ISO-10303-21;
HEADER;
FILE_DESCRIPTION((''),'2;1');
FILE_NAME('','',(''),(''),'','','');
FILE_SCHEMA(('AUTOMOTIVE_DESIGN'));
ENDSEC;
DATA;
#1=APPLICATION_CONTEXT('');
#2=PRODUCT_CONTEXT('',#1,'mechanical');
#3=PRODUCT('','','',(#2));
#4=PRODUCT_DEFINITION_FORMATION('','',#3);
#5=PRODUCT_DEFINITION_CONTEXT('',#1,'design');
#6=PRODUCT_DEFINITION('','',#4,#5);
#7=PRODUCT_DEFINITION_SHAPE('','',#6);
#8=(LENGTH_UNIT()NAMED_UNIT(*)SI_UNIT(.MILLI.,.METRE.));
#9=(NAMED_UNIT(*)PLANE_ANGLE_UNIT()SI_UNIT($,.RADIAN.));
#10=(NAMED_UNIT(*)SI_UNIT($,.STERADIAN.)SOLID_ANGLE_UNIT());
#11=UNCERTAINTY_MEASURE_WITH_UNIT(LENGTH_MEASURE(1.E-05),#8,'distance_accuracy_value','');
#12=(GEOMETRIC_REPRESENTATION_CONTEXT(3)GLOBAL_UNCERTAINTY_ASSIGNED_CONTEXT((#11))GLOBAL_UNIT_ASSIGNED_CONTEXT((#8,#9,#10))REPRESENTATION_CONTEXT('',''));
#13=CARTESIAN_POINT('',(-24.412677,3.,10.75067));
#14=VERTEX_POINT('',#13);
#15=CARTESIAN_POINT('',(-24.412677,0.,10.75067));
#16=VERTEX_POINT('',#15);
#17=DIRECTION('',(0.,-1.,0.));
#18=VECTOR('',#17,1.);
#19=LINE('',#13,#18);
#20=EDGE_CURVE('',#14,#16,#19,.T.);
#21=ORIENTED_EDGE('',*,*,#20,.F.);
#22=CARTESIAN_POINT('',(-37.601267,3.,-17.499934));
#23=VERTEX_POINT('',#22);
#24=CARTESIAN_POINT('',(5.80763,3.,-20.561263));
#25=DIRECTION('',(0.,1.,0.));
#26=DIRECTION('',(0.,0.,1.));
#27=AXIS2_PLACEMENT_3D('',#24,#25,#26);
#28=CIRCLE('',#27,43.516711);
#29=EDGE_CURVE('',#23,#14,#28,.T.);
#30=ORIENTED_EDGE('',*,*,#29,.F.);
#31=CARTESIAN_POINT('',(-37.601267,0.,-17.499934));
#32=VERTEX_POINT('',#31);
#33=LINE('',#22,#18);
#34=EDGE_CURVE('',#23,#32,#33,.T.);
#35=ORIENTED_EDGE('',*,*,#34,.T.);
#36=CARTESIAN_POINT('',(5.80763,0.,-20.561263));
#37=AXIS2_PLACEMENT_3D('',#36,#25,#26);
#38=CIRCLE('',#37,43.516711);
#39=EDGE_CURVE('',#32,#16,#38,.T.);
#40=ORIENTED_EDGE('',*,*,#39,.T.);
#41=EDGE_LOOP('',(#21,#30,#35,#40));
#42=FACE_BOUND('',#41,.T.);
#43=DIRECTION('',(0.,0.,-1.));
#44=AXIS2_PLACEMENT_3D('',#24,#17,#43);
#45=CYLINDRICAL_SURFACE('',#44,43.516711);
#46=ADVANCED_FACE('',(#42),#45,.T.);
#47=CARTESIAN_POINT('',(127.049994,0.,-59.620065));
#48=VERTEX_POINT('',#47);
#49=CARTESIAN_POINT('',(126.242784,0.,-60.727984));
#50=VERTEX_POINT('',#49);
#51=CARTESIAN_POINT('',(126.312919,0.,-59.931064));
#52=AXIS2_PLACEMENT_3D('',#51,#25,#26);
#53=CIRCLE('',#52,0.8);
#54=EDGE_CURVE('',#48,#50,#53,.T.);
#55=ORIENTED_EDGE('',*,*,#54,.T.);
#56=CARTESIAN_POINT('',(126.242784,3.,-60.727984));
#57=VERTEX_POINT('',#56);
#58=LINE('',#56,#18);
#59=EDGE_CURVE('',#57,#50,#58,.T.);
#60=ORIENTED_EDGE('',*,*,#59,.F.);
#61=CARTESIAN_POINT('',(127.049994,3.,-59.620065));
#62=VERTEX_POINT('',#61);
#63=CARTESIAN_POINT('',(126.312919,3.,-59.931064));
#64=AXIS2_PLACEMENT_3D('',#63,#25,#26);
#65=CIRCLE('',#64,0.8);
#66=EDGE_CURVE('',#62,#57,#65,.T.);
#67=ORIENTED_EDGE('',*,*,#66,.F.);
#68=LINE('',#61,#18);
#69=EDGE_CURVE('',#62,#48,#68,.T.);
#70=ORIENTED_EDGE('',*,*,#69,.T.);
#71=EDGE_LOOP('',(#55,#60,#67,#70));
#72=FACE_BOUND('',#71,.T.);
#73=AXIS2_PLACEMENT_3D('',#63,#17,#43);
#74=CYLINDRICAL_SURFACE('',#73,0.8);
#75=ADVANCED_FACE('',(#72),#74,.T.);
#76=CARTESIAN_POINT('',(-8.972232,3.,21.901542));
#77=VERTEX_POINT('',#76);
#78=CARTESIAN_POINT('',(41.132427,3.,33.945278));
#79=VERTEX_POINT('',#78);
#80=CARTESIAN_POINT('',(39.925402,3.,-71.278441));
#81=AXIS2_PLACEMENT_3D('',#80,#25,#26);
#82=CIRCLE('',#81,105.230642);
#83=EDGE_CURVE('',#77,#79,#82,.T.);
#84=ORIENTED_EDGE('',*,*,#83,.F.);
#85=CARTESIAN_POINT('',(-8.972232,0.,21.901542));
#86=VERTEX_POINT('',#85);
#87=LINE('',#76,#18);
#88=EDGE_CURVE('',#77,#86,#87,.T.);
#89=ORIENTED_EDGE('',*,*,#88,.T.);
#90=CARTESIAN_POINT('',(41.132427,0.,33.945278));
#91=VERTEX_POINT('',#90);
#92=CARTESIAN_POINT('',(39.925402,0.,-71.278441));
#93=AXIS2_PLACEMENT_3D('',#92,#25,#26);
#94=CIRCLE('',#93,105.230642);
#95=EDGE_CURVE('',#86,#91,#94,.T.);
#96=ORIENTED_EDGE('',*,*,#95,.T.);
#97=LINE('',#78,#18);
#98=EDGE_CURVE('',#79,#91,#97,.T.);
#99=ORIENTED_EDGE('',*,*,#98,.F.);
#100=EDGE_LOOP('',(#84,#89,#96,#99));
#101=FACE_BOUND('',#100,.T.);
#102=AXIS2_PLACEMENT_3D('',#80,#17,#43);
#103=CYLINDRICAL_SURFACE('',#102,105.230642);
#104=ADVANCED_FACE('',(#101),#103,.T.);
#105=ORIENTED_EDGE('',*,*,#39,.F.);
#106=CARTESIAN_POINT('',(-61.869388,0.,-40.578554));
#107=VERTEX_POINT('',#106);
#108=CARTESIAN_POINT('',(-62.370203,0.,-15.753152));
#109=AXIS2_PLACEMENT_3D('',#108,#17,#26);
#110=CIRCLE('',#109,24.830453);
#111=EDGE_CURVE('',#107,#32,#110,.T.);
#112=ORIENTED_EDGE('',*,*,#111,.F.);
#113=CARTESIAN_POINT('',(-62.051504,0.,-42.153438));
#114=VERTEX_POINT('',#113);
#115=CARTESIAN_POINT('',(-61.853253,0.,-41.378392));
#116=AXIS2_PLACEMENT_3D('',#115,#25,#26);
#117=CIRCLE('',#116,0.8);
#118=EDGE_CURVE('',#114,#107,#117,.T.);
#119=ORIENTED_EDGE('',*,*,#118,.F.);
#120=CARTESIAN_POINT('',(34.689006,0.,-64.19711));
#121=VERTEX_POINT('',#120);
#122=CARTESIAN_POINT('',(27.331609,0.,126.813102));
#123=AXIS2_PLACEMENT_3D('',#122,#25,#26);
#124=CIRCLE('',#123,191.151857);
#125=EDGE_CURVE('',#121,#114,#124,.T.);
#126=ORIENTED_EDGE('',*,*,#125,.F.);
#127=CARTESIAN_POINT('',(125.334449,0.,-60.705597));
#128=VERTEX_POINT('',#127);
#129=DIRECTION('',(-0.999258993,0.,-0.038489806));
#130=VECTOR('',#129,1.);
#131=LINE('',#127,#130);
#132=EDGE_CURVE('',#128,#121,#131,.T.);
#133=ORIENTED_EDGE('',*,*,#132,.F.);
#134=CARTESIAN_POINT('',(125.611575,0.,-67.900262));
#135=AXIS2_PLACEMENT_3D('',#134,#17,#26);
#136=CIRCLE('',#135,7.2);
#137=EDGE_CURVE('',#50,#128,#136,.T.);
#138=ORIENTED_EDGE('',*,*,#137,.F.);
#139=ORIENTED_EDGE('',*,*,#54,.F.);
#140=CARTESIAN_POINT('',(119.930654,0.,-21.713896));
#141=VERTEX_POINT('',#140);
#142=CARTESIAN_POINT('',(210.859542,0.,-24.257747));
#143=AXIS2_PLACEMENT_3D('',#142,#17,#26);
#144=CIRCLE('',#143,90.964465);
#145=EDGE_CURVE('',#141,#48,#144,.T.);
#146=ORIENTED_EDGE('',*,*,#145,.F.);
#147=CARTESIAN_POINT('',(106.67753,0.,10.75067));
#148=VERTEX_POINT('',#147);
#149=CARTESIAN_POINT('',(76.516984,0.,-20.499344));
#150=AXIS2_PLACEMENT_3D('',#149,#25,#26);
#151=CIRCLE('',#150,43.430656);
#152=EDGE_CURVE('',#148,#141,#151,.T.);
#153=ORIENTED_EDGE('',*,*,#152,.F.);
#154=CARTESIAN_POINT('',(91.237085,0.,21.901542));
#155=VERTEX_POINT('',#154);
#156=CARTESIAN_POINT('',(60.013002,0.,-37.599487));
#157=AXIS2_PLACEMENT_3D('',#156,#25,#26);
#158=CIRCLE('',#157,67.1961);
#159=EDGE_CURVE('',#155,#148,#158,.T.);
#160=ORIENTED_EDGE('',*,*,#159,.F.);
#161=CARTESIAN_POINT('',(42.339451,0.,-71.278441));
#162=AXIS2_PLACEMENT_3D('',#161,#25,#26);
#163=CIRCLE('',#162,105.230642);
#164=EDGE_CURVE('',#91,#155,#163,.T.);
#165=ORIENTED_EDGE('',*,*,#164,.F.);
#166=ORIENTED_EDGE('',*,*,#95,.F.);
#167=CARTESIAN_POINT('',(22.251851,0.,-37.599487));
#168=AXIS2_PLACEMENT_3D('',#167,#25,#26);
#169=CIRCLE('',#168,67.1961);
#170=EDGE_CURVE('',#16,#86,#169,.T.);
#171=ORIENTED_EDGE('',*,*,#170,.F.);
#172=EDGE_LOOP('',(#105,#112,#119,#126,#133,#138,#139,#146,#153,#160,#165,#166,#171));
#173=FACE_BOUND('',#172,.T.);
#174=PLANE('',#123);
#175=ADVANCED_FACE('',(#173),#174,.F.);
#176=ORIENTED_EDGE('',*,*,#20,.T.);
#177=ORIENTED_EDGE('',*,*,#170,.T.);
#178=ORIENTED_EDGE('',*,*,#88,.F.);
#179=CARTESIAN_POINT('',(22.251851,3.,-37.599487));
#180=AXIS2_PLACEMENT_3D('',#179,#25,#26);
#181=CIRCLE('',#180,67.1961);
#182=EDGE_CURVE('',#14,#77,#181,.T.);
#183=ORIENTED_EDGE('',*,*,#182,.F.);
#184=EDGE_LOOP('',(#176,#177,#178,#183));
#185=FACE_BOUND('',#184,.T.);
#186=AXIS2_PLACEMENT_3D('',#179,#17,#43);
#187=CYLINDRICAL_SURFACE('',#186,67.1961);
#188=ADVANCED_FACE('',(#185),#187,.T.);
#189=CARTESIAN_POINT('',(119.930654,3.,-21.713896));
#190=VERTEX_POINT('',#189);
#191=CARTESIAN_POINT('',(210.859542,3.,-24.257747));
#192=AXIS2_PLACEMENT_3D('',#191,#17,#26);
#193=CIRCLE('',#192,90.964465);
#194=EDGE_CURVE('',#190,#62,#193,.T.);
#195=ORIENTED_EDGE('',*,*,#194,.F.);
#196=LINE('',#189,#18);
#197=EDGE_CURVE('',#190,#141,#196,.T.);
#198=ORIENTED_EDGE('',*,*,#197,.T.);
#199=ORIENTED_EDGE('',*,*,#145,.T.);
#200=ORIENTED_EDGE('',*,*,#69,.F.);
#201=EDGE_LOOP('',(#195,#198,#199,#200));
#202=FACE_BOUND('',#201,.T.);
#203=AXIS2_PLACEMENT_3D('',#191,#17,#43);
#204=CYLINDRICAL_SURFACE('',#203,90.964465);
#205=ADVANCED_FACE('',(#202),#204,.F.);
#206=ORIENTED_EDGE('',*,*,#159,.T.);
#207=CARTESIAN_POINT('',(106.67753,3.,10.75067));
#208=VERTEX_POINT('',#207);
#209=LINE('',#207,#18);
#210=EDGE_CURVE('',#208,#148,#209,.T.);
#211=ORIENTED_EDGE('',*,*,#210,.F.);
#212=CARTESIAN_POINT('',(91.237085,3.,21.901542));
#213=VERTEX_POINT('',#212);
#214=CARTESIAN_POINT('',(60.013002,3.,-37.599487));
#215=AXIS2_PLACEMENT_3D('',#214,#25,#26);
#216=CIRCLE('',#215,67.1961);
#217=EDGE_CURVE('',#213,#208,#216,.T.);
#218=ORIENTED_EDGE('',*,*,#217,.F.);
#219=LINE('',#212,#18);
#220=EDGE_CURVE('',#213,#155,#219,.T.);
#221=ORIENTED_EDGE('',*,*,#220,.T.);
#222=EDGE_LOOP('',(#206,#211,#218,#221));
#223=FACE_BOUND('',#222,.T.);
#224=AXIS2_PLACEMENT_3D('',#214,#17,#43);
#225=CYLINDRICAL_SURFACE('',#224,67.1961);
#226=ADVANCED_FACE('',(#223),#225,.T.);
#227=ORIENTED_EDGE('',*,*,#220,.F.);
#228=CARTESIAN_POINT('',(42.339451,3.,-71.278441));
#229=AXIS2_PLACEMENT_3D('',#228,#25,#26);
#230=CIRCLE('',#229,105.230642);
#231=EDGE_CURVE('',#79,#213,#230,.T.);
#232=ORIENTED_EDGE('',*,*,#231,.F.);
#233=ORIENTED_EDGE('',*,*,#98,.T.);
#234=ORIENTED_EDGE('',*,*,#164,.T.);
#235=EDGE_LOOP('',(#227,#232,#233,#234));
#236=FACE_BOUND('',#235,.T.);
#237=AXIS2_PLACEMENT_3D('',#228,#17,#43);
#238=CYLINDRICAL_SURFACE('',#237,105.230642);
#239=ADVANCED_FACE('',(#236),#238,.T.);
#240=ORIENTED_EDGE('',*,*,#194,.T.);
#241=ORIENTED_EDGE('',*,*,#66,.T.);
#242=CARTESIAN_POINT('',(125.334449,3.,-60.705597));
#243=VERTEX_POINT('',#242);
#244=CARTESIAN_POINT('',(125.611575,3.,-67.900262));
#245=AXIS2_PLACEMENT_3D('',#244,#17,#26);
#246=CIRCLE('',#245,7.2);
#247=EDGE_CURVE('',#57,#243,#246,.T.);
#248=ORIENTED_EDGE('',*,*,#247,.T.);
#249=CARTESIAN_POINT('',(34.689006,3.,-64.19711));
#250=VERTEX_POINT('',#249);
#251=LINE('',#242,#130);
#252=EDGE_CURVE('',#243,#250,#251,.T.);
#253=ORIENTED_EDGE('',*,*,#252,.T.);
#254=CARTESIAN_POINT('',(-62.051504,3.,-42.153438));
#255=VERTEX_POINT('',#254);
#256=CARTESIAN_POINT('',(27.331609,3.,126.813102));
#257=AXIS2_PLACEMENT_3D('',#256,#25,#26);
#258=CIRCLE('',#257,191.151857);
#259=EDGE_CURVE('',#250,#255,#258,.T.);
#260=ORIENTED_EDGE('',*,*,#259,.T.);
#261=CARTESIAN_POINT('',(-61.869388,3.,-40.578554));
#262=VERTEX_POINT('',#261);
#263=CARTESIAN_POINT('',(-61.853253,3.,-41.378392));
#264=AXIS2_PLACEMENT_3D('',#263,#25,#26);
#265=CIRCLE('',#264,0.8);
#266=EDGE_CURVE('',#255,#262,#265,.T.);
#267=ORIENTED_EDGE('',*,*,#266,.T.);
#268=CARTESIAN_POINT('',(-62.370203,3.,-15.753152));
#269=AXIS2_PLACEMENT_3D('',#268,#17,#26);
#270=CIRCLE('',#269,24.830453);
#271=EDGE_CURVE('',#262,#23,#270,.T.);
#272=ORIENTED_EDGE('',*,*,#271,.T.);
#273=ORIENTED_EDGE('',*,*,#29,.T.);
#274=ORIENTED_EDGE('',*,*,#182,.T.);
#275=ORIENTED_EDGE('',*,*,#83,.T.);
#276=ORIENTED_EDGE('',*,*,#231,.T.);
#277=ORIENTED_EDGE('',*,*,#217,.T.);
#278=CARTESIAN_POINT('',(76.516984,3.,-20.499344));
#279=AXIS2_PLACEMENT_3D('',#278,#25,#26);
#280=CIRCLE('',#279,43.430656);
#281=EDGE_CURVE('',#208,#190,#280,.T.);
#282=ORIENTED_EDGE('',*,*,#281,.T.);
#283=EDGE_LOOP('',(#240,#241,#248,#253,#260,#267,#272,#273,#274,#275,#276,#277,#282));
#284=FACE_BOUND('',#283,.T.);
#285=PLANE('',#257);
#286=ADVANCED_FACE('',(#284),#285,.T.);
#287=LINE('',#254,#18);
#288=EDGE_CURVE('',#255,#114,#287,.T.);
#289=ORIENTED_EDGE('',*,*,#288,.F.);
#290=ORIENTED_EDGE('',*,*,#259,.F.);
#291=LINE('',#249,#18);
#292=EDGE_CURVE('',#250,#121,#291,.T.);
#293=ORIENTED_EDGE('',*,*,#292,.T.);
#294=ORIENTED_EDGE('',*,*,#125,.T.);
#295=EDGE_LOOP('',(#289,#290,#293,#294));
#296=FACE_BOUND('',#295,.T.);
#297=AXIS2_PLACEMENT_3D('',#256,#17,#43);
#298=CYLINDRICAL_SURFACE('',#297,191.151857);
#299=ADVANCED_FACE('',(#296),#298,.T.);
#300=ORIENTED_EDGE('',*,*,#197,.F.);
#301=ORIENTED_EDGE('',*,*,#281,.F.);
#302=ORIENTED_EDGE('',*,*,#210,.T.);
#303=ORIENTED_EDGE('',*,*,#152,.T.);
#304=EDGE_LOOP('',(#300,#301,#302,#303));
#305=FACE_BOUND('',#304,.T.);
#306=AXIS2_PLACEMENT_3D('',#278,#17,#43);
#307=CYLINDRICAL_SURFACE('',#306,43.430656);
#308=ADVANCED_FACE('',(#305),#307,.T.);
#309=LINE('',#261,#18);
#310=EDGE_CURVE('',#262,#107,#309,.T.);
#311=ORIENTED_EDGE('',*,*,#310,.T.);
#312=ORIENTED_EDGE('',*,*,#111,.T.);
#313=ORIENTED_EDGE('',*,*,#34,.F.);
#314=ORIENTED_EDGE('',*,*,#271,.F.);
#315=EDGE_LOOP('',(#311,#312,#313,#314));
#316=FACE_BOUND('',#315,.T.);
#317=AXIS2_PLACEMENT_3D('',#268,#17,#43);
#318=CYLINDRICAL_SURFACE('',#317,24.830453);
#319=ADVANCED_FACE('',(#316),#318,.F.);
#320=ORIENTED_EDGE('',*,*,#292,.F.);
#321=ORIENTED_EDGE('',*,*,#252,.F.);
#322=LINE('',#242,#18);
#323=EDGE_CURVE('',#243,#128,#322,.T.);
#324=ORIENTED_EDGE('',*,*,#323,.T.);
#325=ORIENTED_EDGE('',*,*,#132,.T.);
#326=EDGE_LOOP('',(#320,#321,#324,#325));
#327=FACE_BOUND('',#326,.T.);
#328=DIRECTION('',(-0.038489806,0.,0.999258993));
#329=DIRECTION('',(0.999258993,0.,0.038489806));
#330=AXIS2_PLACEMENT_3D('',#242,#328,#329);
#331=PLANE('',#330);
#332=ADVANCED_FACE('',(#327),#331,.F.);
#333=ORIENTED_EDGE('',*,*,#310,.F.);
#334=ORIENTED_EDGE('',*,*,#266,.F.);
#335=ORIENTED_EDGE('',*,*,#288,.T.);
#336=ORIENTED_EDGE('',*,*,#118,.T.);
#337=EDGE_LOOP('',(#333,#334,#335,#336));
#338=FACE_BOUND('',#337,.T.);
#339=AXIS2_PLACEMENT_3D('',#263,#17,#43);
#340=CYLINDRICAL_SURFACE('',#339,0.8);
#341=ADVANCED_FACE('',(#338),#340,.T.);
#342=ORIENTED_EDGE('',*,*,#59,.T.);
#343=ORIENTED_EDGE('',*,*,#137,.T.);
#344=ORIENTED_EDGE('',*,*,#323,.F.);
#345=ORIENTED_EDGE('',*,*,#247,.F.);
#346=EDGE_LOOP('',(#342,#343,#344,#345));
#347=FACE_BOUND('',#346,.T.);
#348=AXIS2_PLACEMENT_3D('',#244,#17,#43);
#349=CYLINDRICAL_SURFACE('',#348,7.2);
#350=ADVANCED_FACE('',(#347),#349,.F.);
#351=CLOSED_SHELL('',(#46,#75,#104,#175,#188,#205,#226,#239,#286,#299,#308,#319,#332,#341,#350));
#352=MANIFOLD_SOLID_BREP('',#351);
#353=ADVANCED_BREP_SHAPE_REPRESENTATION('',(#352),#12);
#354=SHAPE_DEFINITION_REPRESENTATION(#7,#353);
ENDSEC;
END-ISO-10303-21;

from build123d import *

# Parameters (mm, degrees)
BOSS_EXTRUDE1_DEPTH = 3


with BuildPart() as part:
    # Sketch1 → Boss-Extrude1 (new body)
    with BuildSketch(Plane(origin=(0, 0, 0), x_dir=(1, 0, 0), z_dir=(0, 1, 0))):
        with BuildLine():
            Line((125.334448741, 60.70559707), (34.689006477, 64.197109776))
            ThreePointArc((34.689006477, 64.197109776), (-15.13644212, 59.561512619), (-62.05150383, 42.153437665))
            ThreePointArc((-62.05150383, 42.153437665), (-62.647956965, 41.28649391), (-61.869388221, 40.578554275))
            ThreePointArc((-61.869388221, 40.578554275), (-45.258927275, 33.746363612), (-37.601267241, 17.499933699))
            ThreePointArc((-37.601267241, 17.499933699), (-33.623817753, 2.15297615), (-24.412676642, -10.750670229))
            ThreePointArc((-24.412676642, -10.750670229), (-17.089531788, -16.87593356), (-8.972231882, -21.901542344))
            ThreePointArc((-8.972231882, -21.901542344), (15.331470951, -31.037864787), (41.132426556, -33.945277559))
            ThreePointArc((41.132426556, -33.945277559), (66.933382162, -31.037864787), (91.237084995, -21.901542344))
            ThreePointArc((91.237084995, -21.901542344), (99.354384901, -16.87593356), (106.677529755, -10.750670229))
            ThreePointArc((106.677529755, -10.750670229), (116.726166056, 4.084607563), (119.930653965, 21.713896145))
            ThreePointArc((119.930653965, 21.713896145), (121.458201516, 41.048643152), (127.049993776, 59.620064816))
            ThreePointArc((127.049993776, 59.620064816), (126.959504732, 60.402154552), (126.242784377, 60.727983579))
            ThreePointArc((126.242784377, 60.727983579), (125.788970047, 60.70244749), (125.334448741, 60.70559707))
        make_face()
    extrude(amount=BOSS_EXTRUDE1_DEPTH)


solid = part.part
